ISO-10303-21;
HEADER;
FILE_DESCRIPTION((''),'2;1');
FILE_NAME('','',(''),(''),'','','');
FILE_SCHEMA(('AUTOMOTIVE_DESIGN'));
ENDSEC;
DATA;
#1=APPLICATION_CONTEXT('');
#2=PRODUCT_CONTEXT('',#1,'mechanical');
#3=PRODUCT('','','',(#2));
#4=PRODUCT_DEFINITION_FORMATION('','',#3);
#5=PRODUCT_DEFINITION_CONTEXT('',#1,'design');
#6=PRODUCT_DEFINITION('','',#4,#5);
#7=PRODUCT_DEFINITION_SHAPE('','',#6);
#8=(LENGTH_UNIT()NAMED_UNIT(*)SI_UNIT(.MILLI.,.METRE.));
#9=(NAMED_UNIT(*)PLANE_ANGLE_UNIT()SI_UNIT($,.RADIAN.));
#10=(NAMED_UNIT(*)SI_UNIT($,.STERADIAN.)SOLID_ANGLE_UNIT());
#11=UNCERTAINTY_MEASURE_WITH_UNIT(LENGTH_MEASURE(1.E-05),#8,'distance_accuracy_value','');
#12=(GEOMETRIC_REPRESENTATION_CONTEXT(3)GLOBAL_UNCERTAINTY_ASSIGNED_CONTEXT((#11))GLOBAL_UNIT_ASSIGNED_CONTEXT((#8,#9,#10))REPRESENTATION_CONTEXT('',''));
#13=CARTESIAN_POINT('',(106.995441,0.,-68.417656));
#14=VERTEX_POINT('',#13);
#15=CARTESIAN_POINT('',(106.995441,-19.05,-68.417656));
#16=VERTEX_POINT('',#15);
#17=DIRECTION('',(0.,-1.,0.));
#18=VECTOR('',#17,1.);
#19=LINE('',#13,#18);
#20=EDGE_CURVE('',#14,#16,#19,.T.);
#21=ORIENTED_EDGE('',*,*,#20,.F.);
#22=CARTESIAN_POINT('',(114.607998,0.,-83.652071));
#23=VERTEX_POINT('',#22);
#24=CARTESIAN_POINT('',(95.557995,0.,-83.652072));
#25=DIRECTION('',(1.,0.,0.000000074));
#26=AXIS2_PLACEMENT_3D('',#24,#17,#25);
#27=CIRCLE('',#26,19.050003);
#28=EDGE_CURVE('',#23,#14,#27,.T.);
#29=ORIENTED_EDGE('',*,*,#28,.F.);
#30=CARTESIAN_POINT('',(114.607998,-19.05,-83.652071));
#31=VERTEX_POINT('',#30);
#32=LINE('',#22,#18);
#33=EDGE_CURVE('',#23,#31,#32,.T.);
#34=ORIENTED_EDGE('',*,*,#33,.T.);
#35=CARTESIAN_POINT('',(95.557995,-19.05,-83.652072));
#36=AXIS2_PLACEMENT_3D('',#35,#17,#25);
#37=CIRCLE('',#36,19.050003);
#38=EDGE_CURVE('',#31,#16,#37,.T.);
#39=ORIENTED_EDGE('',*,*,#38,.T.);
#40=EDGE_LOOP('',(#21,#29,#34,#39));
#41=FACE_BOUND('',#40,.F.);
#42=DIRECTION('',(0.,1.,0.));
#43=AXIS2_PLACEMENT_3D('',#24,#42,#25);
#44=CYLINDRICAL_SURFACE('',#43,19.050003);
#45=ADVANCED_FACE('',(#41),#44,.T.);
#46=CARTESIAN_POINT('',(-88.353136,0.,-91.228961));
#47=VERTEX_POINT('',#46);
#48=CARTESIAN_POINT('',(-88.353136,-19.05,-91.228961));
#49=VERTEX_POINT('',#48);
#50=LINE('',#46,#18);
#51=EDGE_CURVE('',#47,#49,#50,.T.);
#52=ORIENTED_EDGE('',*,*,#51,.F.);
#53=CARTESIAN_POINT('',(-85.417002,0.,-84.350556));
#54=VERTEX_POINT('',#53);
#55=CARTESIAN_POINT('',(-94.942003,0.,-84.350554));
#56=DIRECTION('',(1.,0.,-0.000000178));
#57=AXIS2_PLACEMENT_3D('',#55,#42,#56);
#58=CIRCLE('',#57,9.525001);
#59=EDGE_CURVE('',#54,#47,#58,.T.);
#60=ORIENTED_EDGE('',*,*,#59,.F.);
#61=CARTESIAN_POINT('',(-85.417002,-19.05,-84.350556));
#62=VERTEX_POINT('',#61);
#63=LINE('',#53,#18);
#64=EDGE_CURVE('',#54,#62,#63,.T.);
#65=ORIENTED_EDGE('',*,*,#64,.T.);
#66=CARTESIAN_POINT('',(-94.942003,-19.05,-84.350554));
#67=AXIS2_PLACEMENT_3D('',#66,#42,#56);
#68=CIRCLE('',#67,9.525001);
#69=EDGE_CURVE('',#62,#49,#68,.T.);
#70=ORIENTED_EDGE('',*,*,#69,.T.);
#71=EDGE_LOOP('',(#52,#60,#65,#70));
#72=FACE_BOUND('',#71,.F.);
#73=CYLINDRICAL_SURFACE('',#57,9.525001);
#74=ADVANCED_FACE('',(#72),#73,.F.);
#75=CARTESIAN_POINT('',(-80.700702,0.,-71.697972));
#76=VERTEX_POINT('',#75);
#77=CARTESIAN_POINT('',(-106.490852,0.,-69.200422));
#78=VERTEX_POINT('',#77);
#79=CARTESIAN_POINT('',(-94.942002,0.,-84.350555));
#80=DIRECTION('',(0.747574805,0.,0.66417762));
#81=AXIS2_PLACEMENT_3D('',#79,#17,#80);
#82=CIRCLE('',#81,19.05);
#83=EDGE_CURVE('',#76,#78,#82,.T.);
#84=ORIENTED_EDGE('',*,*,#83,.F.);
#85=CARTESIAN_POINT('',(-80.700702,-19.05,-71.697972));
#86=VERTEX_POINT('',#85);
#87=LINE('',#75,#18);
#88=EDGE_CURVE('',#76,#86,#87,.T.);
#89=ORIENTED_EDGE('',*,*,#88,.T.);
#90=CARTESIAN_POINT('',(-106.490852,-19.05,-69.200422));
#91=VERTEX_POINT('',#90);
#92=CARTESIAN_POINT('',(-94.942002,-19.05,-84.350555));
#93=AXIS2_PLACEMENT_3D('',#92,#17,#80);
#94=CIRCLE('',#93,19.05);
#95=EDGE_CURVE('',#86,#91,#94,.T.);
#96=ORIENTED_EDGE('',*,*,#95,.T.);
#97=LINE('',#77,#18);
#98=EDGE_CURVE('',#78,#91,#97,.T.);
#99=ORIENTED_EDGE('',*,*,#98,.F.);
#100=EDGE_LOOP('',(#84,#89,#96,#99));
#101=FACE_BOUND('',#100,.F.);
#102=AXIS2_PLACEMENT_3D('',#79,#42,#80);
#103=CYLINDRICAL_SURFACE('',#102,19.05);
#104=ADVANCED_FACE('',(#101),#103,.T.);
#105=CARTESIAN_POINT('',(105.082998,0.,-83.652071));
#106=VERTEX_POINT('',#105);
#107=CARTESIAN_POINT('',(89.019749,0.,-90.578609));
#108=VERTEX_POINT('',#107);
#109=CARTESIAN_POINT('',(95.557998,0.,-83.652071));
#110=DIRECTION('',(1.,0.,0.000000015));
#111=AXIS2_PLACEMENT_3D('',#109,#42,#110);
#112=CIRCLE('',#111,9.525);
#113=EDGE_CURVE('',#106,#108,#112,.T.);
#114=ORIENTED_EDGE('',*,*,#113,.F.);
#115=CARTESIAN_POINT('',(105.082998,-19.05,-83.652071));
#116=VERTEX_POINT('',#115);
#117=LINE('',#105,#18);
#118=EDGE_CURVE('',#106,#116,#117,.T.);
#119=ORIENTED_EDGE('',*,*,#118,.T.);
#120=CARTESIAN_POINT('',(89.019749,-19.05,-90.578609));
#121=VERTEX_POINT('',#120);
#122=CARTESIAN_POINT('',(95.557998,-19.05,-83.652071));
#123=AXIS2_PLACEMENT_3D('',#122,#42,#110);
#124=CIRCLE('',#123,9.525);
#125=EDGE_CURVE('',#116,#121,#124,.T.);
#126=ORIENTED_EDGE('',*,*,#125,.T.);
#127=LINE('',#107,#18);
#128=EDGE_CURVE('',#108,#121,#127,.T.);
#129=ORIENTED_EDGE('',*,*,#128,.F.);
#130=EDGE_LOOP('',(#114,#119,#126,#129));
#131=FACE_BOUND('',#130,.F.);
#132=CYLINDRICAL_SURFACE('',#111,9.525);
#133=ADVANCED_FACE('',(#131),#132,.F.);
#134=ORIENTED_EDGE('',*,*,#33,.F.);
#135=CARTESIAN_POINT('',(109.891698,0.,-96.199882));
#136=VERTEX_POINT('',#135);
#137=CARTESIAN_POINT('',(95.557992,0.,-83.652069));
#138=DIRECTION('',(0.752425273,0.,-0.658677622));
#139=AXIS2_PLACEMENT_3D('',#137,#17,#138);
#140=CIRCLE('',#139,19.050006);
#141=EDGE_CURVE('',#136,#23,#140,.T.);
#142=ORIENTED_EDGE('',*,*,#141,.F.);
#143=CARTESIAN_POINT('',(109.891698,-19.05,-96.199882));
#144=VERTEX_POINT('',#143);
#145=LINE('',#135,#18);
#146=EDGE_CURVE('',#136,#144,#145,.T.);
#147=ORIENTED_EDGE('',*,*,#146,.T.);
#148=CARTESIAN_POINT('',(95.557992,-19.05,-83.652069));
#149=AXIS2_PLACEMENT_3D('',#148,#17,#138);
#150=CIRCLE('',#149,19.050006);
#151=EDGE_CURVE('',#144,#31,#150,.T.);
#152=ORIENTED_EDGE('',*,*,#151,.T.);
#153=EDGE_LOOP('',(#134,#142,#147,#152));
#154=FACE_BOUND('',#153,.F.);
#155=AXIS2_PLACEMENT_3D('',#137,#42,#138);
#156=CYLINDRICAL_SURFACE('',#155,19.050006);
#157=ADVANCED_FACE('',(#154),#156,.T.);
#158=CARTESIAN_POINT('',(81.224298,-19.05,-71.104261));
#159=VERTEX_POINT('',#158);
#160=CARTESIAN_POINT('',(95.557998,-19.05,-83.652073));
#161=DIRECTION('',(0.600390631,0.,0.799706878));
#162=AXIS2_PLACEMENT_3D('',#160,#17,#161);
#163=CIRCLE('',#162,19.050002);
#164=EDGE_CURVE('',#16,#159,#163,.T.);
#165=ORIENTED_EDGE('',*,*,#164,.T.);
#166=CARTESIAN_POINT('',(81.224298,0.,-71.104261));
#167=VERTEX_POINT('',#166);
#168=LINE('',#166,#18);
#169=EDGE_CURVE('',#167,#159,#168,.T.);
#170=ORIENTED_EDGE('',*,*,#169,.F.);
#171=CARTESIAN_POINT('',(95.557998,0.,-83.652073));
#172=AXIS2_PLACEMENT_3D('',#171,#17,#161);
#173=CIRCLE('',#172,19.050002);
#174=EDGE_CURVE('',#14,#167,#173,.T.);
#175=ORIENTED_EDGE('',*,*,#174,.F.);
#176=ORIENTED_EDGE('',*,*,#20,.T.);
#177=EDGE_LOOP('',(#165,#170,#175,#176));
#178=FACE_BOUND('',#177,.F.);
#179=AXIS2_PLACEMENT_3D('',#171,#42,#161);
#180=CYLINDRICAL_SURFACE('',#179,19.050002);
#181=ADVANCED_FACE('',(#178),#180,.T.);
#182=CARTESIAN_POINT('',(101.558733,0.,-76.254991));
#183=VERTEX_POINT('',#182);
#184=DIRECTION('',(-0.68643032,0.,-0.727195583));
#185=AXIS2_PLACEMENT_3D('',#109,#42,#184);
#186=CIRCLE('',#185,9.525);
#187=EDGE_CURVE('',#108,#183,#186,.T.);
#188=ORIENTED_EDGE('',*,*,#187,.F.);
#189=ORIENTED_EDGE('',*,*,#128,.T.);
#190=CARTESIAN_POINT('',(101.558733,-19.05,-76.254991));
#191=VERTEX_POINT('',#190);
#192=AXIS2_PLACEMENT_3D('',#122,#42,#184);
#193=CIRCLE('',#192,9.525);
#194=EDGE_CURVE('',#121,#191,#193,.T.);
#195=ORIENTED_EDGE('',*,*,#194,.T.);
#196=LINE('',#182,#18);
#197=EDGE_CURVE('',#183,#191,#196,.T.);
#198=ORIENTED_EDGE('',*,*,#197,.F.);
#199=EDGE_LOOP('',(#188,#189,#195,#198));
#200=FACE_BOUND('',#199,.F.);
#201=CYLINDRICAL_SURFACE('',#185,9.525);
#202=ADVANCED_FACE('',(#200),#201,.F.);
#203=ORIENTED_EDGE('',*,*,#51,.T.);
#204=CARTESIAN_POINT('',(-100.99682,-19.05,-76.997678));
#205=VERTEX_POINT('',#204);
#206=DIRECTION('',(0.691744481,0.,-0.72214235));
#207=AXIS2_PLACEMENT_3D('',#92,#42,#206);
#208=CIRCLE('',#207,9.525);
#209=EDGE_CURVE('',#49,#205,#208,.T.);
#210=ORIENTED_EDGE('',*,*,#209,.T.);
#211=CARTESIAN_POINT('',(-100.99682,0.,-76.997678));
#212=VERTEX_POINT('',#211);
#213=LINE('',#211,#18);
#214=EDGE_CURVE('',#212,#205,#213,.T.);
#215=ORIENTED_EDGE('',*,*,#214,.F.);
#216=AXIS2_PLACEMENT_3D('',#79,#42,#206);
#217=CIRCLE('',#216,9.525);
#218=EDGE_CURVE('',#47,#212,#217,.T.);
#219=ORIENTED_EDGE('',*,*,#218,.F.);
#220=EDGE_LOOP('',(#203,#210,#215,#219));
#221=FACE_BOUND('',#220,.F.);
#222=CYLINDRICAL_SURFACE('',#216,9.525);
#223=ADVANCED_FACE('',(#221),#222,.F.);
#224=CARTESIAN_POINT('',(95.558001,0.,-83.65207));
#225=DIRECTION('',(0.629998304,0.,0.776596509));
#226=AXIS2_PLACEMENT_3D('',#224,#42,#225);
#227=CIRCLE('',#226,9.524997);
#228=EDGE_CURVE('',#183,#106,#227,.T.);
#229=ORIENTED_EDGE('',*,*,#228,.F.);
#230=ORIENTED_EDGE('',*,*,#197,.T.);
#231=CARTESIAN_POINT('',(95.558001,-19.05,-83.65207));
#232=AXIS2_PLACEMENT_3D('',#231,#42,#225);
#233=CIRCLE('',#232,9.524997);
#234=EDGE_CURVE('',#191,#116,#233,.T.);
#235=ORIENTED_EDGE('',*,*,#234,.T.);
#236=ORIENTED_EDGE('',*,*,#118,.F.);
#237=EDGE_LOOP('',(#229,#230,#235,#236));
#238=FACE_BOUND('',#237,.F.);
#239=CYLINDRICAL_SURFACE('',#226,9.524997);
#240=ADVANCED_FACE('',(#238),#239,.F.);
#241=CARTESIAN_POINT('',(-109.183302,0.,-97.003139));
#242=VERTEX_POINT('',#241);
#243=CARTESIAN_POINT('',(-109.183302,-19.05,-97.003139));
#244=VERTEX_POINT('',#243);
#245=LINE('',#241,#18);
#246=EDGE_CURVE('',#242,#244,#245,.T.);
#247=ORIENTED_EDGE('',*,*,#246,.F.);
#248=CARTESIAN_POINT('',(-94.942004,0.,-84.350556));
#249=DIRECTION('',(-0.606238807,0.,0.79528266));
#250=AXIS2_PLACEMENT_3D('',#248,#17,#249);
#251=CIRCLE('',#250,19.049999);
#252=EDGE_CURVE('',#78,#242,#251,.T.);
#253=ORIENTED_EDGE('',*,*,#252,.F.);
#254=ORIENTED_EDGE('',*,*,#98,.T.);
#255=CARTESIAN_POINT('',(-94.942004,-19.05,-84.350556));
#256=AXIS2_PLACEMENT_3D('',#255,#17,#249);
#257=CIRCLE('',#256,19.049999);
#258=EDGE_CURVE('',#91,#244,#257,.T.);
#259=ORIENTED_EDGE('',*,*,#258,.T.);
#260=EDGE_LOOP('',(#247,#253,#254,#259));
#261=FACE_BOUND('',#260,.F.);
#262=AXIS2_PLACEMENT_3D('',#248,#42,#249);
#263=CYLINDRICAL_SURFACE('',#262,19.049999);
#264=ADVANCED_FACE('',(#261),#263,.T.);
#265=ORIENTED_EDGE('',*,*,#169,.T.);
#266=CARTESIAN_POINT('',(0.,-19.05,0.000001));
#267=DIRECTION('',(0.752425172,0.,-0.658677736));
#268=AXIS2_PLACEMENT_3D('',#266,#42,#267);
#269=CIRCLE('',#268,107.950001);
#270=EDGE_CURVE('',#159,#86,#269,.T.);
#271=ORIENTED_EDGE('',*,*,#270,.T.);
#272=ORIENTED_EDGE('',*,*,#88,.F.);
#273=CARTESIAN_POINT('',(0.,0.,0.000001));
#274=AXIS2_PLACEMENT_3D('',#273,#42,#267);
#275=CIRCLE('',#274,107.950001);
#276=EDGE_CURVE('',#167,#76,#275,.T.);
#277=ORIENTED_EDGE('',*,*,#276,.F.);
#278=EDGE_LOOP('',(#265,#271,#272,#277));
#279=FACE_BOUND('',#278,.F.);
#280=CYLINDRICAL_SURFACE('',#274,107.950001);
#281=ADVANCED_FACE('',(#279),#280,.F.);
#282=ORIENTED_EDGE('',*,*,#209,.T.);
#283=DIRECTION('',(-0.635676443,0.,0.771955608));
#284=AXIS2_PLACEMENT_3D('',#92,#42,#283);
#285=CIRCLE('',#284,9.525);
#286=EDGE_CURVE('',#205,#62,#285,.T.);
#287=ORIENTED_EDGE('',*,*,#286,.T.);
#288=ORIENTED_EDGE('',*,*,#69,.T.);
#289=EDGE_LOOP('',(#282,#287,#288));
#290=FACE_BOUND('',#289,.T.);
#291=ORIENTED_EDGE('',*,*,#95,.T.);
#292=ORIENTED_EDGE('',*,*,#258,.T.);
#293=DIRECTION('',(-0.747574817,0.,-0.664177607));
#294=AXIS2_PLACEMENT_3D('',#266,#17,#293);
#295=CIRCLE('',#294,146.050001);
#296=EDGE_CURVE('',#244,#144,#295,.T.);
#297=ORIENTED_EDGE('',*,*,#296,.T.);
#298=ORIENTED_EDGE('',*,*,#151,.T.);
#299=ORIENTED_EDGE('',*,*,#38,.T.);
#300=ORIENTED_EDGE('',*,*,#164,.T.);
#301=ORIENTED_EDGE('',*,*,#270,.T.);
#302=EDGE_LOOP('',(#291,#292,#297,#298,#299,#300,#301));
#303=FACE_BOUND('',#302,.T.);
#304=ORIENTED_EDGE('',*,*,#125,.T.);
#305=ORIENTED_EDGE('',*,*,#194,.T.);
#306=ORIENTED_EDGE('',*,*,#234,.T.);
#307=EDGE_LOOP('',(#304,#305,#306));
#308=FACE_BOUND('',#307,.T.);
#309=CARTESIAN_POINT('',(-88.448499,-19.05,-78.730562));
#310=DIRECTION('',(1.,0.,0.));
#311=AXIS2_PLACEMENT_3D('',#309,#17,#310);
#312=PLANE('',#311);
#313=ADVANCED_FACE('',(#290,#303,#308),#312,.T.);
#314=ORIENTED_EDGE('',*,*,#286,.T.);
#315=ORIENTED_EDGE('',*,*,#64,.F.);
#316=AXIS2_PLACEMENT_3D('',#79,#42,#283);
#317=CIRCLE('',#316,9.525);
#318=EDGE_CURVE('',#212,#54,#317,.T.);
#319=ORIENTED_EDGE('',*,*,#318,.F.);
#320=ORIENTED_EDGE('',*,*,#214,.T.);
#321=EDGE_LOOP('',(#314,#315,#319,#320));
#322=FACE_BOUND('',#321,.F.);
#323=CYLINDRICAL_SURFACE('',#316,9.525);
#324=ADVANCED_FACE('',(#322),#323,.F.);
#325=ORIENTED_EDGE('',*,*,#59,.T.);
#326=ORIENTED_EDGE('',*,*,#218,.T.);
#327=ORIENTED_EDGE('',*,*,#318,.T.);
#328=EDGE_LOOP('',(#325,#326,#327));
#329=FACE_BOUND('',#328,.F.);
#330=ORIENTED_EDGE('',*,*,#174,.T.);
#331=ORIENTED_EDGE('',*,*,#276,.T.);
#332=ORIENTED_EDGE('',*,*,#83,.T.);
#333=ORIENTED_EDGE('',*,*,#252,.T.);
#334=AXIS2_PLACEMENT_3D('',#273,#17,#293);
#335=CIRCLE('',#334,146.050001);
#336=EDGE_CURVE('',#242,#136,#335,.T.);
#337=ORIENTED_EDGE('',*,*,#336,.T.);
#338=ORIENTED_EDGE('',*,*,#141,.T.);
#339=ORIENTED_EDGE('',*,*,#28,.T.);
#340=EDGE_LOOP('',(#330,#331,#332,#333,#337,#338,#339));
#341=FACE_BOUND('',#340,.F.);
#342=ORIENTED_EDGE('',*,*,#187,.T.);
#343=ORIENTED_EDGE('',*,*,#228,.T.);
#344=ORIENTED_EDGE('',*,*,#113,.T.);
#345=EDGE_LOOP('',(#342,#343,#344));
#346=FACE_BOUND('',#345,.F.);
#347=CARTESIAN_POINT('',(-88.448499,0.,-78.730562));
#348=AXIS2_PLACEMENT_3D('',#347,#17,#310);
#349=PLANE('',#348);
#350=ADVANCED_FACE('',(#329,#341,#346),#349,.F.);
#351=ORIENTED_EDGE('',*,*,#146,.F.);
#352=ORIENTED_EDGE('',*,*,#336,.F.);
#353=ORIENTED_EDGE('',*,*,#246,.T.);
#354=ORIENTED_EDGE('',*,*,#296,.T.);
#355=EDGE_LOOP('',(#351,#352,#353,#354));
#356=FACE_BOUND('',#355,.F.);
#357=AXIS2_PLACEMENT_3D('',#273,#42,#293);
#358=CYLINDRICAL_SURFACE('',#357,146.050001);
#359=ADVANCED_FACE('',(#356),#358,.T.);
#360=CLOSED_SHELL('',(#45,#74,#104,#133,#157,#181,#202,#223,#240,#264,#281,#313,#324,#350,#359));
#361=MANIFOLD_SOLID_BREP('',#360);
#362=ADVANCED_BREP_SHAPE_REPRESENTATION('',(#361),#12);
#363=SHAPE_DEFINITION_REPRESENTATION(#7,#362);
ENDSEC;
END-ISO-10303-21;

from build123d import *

# Parameters (mm, degrees)
F1_DEPTH = 19.05


with BuildPart() as f1:
    # F0 (on Front) → F1 (new body)
    with BuildSketch(Plane.XZ):
        with BuildLine():
            ThreePointArc((-80.700702, -71.697972), (-93.105766, -65.38926), (-106.490852, -69.200422))
            ThreePointArc((-106.490852, -69.200422), (-103.817064, -73.150647), (-100.99682, -76.997678))
            ThreePointArc((-100.99682, -76.997678), (-90.876692, -75.736678), (-85.417002, -84.350556))
            ThreePointArc((-85.417002, -84.350556), (-86.181735, -88.089986), (-88.353136, -91.228961))
            ThreePointArc((-88.353136, -91.228961), (-84.864906, -94.482526), (-81.256957, -97.602802))
            ThreePointArc((-81.256957, -97.602802), (-77.284106, -91.499066), (-75.892002, -84.350556))
            ThreePointArc((-75.892002, -84.350556), (-77.13471, -77.582774), (-80.700702, -71.697972))
        make_face()
        with BuildLine():
            ThreePointArc((-100.99682, -76.997678), (-103.817064, -73.150647), (-106.490852, -69.200422))
            ThreePointArc((-106.490852, -69.200422), (-113.903298, -82.51432), (-109.183302, -97.003139))
            ThreePointArc((-109.183302, -97.003139), (-95.350969, -103.396165), (-81.256957, -97.602802))
            ThreePointArc((-81.256957, -97.602802), (-84.864906, -94.482526), (-88.353136, -91.228961))
            ThreePointArc((-88.353136, -91.228961), (-102.062652, -90.676847), (-100.99682, -76.997678))
        make_face()
        with BuildLine():
            ThreePointArc((81.224298, -71.104261), (0.395805, -107.949274), (-80.700702, -71.697972))
            ThreePointArc((-80.700702, -71.697972), (-77.13471, -77.582774), (-75.892002, -84.350556))
            ThreePointArc((-75.892002, -84.350556), (-77.284106, -91.499066), (-81.256957, -97.602802))
            ThreePointArc((-81.256957, -97.602802), (0.465653, -126.999146), (81.9705, -97.004315))
            ThreePointArc((81.9705, -97.004315), (76.515899, -84.20069), (81.224298, -71.104261))
        make_face()
        with BuildLine():
            ThreePointArc((-81.256957, -97.602802), (-95.350969, -103.396165), (-109.183302, -97.003139))
            ThreePointArc((-109.183302, -97.003139), (0.535501, -146.049018), (109.891698, -96.199882))
            ThreePointArc((109.891698, -96.199882), (96.106617, -102.69417), (81.9705, -97.004315))
            ThreePointArc((81.9705, -97.004315), (0.465653, -126.999146), (-81.256957, -97.602802))
        make_face()
        with BuildLine():
            ThreePointArc((106.995441, -68.417656), (93.582767, -64.704751), (81.224298, -71.104261))
            ThreePointArc((81.224298, -71.104261), (76.515899, -84.20069), (81.9705, -97.004315))
            ThreePointArc((81.9705, -97.004315), (85.555472, -93.857665), (89.019749, -90.578609))
            ThreePointArc((89.019749, -90.578609), (88.391148, -77.378166), (101.558733, -76.254991))
            ThreePointArc((101.558733, -76.254991), (104.350692, -72.387383), (106.995441, -68.417656))
        make_face()
        with BuildLine():
            ThreePointArc((81.9705, -97.004315), (96.106617, -102.69417), (109.891698, -96.199882))
            ThreePointArc((109.891698, -96.199882), (113.389984, -90.354516), (114.607998, -83.652071))
            ThreePointArc((114.607998, -83.652071), (112.598916, -75.136814), (106.995441, -68.417656))
            ThreePointArc((106.995441, -68.417656), (104.350692, -72.387383), (101.558733, -76.254991))
            ThreePointArc((101.558733, -76.254991), (104.156912, -79.555206), (105.082998, -83.652071))
            ThreePointArc((105.082998, -83.652071), (99.329523, -92.398569), (89.019749, -90.578609))
            ThreePointArc((89.019749, -90.578609), (85.555472, -93.857665), (81.9705, -97.004315))
        make_face()
    extrude(amount=F1_DEPTH)


solid = f1.part
